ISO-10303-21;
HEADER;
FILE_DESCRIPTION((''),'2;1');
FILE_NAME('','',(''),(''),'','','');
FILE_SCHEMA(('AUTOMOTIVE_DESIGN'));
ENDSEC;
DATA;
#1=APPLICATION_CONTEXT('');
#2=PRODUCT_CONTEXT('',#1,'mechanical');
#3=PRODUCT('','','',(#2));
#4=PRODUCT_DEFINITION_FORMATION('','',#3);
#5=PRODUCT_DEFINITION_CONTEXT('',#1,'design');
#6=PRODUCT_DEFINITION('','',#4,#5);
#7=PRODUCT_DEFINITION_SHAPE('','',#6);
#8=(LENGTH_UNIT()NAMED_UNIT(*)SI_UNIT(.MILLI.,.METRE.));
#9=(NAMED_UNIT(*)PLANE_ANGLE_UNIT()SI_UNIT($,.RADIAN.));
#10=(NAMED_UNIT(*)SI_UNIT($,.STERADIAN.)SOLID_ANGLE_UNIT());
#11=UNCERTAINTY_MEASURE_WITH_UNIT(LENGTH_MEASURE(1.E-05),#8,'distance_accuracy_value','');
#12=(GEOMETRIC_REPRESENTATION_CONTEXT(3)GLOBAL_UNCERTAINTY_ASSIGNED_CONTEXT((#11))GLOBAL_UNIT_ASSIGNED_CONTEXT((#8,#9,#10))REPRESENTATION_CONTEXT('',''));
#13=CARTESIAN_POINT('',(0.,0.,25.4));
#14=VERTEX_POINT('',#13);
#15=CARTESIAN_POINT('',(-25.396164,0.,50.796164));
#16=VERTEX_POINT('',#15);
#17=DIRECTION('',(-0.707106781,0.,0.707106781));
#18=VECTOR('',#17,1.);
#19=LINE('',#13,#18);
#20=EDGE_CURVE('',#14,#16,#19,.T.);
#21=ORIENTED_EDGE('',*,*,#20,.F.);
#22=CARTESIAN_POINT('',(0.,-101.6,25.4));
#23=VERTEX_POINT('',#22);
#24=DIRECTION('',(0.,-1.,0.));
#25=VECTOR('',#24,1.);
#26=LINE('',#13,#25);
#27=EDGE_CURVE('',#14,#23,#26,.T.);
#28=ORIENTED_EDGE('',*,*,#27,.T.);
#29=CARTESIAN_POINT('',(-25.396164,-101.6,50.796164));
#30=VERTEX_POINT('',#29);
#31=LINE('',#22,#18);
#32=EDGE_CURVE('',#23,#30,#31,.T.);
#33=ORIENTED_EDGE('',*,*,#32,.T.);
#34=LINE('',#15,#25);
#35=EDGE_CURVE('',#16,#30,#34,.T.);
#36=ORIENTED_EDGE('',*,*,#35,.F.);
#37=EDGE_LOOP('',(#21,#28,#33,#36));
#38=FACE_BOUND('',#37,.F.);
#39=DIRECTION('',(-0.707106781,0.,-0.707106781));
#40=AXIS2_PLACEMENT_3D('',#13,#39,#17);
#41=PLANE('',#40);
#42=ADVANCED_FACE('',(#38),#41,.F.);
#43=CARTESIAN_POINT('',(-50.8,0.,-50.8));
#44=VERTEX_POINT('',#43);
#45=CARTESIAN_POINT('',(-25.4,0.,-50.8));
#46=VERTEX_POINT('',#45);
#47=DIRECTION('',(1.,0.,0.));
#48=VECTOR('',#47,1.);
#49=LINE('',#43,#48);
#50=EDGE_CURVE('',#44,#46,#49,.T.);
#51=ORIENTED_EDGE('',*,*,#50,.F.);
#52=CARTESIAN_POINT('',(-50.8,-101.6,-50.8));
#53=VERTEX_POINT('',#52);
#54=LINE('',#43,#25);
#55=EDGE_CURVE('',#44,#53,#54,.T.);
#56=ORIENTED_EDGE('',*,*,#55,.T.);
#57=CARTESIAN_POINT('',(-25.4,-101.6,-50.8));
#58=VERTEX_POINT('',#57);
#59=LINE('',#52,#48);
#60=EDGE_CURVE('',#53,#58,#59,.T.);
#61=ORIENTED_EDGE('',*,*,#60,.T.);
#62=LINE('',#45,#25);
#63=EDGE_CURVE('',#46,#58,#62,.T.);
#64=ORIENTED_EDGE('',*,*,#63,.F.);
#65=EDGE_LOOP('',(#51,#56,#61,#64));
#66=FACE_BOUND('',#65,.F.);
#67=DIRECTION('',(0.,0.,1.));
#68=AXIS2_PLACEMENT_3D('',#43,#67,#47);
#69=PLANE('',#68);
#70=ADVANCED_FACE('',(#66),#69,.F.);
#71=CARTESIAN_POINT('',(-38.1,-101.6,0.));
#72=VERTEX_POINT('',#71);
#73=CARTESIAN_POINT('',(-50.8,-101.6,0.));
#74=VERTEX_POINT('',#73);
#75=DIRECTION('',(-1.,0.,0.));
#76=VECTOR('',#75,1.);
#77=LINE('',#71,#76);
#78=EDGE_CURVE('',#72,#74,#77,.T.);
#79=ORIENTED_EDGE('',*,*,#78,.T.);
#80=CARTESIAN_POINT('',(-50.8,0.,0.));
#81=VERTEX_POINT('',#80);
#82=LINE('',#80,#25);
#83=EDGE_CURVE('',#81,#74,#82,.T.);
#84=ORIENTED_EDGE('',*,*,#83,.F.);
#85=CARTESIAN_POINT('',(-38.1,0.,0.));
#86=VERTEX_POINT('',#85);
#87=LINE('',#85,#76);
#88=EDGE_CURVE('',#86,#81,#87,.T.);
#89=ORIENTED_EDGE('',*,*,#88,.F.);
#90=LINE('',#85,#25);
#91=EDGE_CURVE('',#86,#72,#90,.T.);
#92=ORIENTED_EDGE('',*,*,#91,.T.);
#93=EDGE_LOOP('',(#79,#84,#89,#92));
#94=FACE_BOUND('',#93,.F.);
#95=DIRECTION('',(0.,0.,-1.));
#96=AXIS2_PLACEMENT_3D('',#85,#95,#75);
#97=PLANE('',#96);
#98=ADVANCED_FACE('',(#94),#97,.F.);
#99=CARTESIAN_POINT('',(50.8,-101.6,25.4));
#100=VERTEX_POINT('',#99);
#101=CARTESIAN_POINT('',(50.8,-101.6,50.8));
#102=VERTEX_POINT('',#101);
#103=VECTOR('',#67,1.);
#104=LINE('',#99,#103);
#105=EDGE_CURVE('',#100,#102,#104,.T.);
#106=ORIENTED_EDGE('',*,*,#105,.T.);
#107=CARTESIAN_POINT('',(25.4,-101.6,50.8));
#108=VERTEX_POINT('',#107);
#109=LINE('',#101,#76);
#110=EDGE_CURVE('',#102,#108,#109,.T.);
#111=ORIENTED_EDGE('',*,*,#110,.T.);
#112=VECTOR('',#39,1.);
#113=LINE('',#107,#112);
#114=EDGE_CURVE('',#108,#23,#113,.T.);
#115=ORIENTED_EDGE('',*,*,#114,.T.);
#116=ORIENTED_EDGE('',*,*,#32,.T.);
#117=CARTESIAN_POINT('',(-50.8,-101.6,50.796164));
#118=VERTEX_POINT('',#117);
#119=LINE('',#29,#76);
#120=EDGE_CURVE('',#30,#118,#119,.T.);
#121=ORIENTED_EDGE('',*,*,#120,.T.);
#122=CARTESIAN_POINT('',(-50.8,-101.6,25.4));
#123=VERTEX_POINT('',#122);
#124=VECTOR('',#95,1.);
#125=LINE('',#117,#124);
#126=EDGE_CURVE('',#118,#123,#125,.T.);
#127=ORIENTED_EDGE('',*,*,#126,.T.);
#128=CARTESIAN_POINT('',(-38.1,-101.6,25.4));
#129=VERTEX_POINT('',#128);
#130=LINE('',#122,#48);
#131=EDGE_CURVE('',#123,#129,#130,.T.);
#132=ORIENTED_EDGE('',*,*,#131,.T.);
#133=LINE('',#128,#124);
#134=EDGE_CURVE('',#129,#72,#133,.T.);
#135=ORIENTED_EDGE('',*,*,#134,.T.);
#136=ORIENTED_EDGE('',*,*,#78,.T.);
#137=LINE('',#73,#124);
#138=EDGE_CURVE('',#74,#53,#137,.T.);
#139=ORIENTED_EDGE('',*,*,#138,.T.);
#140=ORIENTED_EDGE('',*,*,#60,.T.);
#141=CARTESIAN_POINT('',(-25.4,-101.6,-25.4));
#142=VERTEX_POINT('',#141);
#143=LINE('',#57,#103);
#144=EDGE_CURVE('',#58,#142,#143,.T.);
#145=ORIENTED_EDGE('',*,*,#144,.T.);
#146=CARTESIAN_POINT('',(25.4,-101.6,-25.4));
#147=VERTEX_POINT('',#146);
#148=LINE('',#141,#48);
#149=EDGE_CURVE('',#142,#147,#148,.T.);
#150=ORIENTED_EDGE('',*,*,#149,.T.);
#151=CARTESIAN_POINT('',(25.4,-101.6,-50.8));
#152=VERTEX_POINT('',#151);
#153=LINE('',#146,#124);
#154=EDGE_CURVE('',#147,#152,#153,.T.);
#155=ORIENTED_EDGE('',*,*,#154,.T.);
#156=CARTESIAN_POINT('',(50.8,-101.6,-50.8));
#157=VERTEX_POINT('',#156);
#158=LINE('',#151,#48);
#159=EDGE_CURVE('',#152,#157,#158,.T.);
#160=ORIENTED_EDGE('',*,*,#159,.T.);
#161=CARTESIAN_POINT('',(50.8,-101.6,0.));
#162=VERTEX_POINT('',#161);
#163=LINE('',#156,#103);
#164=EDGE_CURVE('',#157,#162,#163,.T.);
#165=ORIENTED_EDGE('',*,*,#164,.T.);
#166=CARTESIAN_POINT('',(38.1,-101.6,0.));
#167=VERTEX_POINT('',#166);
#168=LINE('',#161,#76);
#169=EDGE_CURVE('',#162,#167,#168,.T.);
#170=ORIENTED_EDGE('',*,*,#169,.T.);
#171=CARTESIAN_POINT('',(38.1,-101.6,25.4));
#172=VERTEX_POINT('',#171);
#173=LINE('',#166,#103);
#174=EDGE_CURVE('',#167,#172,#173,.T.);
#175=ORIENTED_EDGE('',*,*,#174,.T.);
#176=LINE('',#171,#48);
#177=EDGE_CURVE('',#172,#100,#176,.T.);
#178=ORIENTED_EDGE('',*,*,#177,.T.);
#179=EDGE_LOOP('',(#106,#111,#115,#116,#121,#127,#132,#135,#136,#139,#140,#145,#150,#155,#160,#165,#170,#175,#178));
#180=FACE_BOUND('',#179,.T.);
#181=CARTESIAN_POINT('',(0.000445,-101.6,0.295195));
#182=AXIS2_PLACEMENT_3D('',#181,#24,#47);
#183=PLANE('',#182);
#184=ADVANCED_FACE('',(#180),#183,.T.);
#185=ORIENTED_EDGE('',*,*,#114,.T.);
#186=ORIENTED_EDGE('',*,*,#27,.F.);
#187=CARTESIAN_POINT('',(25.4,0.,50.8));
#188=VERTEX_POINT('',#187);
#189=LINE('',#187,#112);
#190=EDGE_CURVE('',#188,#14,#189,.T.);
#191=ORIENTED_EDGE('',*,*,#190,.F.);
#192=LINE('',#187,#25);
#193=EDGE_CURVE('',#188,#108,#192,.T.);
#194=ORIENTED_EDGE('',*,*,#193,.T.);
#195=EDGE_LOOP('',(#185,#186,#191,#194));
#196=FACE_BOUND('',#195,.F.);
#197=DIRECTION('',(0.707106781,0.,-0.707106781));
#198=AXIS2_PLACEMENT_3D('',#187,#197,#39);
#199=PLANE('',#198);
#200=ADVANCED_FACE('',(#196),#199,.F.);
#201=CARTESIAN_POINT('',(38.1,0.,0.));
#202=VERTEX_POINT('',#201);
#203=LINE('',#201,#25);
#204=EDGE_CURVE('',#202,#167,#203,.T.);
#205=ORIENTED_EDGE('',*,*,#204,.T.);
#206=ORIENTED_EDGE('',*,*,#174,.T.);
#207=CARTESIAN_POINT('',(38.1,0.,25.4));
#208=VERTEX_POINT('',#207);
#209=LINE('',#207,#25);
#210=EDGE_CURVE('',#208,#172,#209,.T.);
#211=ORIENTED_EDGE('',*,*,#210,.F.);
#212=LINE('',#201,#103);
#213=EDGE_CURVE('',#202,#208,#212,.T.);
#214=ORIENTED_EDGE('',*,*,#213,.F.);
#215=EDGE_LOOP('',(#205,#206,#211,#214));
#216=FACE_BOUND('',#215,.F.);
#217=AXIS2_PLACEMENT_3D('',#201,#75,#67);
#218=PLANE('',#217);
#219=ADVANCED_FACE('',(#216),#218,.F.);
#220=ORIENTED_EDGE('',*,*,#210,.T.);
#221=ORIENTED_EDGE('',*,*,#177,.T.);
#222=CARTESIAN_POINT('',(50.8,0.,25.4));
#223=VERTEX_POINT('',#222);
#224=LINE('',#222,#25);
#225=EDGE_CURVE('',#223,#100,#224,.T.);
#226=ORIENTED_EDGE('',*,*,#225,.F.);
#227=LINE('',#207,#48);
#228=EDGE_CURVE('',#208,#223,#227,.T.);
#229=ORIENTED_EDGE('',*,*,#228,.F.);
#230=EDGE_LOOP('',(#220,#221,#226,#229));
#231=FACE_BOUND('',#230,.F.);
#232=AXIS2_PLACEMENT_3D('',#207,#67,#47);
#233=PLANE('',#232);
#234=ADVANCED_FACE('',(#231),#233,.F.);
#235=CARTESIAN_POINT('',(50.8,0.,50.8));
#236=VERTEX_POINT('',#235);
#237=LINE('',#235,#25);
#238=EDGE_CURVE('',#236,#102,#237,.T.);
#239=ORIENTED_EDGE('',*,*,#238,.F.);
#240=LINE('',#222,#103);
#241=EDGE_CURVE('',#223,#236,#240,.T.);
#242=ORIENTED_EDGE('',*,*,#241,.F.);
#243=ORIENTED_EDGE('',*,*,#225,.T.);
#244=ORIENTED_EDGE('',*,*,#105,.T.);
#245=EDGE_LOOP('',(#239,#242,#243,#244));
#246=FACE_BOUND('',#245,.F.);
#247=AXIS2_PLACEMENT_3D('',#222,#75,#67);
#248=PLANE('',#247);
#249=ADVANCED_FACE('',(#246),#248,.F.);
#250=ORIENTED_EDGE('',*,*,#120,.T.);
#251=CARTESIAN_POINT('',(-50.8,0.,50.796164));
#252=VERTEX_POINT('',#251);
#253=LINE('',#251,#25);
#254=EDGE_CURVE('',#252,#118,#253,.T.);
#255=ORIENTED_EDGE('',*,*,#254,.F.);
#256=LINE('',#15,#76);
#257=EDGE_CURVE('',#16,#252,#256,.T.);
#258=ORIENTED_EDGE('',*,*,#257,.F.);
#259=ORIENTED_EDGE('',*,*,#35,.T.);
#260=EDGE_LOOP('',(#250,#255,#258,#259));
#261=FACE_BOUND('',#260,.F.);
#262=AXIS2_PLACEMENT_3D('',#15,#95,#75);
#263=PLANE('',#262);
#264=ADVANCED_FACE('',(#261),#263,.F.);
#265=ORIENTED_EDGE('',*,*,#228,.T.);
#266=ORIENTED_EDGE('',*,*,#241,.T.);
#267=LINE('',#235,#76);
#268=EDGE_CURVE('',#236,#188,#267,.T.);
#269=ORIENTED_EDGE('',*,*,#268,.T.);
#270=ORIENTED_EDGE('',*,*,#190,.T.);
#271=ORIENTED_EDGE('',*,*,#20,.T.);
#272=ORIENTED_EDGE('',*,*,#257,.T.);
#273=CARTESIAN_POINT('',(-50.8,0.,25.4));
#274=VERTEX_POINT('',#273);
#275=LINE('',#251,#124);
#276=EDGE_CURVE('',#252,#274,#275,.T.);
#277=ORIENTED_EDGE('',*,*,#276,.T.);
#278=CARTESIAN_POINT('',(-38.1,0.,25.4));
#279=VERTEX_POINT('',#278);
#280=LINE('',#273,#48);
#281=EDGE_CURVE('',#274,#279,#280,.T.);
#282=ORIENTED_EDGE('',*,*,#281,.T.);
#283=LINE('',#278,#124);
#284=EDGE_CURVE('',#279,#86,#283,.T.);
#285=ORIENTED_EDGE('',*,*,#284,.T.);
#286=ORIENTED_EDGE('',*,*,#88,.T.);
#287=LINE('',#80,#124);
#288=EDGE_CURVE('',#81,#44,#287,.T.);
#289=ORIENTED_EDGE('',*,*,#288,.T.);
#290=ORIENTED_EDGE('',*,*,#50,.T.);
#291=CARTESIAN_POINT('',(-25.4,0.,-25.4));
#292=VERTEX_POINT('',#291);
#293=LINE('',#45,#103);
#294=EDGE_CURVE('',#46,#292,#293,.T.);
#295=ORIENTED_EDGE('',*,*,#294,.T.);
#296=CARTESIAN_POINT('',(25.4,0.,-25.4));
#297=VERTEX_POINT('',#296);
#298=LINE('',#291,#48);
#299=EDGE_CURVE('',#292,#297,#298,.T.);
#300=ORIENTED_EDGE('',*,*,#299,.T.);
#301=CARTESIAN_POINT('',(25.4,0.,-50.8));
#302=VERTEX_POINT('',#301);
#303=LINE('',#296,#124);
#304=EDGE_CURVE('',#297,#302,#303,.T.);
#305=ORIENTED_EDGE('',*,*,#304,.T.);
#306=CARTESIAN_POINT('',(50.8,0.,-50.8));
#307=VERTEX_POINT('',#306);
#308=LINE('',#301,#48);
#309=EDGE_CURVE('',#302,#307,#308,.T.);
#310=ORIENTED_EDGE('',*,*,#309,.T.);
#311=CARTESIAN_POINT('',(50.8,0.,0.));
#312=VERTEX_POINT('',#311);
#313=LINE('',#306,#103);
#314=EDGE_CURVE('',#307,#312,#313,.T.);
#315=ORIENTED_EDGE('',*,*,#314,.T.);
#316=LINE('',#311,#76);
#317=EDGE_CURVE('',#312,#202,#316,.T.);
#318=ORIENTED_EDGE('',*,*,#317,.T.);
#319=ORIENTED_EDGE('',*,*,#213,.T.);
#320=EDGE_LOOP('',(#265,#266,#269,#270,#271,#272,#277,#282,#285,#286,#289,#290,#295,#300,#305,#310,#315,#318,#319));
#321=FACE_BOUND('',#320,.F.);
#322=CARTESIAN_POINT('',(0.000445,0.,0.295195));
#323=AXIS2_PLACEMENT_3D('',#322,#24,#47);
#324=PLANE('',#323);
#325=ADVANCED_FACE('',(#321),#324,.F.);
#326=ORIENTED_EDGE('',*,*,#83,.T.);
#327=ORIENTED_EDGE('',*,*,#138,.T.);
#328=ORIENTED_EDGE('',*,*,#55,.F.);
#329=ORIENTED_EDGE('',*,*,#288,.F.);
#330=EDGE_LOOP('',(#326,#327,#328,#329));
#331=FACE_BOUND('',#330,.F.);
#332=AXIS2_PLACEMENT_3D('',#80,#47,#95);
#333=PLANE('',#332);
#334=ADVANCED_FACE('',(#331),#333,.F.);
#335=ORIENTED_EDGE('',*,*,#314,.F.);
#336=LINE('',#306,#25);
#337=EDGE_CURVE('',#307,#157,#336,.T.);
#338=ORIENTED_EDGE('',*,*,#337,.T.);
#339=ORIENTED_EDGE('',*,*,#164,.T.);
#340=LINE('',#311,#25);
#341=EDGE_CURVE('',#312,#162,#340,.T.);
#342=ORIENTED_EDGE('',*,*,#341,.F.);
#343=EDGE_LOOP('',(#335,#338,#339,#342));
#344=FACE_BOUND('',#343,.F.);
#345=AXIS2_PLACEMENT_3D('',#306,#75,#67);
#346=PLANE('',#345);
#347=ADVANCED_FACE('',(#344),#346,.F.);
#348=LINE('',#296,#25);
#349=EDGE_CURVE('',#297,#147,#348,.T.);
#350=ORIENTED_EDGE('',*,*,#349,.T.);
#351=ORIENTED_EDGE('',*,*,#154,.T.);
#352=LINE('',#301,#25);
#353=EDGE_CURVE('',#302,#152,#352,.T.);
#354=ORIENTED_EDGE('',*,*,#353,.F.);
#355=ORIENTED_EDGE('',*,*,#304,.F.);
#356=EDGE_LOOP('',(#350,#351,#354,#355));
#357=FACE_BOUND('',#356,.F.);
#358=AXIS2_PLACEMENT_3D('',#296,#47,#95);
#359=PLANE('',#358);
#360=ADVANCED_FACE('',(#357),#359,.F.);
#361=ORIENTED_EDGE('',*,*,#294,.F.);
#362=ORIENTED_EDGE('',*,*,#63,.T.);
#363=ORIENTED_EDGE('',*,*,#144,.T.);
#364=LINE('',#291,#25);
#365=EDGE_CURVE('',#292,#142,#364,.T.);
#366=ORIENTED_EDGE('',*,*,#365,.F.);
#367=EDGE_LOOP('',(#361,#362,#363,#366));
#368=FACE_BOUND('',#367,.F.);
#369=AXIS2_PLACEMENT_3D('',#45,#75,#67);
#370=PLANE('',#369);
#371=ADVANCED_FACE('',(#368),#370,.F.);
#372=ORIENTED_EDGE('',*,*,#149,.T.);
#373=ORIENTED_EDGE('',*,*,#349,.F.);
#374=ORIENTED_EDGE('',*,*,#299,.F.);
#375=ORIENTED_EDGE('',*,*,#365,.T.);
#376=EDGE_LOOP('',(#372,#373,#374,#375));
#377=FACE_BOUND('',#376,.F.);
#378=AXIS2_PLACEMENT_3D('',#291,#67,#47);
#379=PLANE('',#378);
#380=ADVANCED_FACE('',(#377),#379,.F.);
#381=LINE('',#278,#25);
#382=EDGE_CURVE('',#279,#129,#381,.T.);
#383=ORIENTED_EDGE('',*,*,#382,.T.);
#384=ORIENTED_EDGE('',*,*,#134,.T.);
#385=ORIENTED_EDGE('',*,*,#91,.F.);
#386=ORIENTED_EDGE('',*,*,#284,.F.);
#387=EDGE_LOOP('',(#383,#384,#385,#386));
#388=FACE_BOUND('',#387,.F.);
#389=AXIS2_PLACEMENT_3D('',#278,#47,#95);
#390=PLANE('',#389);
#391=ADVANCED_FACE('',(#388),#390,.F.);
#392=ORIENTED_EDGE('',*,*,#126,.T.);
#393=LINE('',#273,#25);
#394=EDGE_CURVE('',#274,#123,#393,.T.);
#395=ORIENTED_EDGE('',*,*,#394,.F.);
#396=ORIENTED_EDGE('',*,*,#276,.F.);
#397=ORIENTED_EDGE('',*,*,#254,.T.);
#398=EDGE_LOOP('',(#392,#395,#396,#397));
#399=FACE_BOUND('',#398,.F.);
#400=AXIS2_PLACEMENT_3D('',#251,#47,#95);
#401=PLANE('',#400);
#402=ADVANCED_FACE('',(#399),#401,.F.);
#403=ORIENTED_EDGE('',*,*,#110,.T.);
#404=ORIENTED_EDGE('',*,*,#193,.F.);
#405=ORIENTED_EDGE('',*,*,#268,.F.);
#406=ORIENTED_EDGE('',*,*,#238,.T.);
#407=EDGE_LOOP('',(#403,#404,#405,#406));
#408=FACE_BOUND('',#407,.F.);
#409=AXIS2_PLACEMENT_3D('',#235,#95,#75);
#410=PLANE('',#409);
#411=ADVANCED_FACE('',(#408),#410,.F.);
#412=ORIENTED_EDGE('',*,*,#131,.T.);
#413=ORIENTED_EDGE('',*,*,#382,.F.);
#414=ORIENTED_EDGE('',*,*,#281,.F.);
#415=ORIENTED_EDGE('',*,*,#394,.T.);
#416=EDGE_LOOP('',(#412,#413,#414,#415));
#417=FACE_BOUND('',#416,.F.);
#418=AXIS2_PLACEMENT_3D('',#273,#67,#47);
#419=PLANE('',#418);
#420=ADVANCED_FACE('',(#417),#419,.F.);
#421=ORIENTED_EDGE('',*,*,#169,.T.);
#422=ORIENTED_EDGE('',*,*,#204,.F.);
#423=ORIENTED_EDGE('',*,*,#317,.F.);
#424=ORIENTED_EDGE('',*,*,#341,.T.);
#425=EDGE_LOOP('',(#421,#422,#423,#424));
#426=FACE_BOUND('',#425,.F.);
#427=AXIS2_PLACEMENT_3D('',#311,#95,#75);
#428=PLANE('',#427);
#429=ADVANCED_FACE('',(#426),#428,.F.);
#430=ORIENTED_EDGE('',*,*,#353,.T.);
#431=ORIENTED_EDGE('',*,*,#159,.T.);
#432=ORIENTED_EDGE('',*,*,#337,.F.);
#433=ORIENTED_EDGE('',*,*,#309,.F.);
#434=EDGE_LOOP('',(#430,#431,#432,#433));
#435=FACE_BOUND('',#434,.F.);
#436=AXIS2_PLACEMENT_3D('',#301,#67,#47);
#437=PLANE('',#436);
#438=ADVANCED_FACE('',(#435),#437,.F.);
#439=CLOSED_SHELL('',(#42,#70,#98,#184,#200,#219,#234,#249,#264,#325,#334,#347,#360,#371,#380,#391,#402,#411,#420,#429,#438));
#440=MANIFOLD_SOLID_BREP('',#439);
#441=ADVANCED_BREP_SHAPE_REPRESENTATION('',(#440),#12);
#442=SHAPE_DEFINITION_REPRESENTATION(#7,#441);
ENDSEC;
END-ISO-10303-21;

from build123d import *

# Parameters (mm, degrees)
F1_DEPTH = 101.6


with BuildPart() as f1:
    # F0 (on Front) → F1 (new body)
    with BuildSketch(Plane.XZ):
        Polygon((-38.1, 0), (-50.8, 0), (-50.8, -50.8), (-25.4, -50.8), (-25.4, -25.4), (25.4, -25.4), (25.4, -50.8), (50.8, -50.8), (50.8, 0), (38.1, 0), (38.1, 25.4), (50.8, 25.4), (50.8, 50.8), (25.4, 50.8), (0, 25.4), (-25.396164, 50.796164), (-50.8, 50.796164), (-50.8, 25.4), (-38.1, 25.4), align=None)
    extrude(amount=F1_DEPTH)


solid = f1.part
